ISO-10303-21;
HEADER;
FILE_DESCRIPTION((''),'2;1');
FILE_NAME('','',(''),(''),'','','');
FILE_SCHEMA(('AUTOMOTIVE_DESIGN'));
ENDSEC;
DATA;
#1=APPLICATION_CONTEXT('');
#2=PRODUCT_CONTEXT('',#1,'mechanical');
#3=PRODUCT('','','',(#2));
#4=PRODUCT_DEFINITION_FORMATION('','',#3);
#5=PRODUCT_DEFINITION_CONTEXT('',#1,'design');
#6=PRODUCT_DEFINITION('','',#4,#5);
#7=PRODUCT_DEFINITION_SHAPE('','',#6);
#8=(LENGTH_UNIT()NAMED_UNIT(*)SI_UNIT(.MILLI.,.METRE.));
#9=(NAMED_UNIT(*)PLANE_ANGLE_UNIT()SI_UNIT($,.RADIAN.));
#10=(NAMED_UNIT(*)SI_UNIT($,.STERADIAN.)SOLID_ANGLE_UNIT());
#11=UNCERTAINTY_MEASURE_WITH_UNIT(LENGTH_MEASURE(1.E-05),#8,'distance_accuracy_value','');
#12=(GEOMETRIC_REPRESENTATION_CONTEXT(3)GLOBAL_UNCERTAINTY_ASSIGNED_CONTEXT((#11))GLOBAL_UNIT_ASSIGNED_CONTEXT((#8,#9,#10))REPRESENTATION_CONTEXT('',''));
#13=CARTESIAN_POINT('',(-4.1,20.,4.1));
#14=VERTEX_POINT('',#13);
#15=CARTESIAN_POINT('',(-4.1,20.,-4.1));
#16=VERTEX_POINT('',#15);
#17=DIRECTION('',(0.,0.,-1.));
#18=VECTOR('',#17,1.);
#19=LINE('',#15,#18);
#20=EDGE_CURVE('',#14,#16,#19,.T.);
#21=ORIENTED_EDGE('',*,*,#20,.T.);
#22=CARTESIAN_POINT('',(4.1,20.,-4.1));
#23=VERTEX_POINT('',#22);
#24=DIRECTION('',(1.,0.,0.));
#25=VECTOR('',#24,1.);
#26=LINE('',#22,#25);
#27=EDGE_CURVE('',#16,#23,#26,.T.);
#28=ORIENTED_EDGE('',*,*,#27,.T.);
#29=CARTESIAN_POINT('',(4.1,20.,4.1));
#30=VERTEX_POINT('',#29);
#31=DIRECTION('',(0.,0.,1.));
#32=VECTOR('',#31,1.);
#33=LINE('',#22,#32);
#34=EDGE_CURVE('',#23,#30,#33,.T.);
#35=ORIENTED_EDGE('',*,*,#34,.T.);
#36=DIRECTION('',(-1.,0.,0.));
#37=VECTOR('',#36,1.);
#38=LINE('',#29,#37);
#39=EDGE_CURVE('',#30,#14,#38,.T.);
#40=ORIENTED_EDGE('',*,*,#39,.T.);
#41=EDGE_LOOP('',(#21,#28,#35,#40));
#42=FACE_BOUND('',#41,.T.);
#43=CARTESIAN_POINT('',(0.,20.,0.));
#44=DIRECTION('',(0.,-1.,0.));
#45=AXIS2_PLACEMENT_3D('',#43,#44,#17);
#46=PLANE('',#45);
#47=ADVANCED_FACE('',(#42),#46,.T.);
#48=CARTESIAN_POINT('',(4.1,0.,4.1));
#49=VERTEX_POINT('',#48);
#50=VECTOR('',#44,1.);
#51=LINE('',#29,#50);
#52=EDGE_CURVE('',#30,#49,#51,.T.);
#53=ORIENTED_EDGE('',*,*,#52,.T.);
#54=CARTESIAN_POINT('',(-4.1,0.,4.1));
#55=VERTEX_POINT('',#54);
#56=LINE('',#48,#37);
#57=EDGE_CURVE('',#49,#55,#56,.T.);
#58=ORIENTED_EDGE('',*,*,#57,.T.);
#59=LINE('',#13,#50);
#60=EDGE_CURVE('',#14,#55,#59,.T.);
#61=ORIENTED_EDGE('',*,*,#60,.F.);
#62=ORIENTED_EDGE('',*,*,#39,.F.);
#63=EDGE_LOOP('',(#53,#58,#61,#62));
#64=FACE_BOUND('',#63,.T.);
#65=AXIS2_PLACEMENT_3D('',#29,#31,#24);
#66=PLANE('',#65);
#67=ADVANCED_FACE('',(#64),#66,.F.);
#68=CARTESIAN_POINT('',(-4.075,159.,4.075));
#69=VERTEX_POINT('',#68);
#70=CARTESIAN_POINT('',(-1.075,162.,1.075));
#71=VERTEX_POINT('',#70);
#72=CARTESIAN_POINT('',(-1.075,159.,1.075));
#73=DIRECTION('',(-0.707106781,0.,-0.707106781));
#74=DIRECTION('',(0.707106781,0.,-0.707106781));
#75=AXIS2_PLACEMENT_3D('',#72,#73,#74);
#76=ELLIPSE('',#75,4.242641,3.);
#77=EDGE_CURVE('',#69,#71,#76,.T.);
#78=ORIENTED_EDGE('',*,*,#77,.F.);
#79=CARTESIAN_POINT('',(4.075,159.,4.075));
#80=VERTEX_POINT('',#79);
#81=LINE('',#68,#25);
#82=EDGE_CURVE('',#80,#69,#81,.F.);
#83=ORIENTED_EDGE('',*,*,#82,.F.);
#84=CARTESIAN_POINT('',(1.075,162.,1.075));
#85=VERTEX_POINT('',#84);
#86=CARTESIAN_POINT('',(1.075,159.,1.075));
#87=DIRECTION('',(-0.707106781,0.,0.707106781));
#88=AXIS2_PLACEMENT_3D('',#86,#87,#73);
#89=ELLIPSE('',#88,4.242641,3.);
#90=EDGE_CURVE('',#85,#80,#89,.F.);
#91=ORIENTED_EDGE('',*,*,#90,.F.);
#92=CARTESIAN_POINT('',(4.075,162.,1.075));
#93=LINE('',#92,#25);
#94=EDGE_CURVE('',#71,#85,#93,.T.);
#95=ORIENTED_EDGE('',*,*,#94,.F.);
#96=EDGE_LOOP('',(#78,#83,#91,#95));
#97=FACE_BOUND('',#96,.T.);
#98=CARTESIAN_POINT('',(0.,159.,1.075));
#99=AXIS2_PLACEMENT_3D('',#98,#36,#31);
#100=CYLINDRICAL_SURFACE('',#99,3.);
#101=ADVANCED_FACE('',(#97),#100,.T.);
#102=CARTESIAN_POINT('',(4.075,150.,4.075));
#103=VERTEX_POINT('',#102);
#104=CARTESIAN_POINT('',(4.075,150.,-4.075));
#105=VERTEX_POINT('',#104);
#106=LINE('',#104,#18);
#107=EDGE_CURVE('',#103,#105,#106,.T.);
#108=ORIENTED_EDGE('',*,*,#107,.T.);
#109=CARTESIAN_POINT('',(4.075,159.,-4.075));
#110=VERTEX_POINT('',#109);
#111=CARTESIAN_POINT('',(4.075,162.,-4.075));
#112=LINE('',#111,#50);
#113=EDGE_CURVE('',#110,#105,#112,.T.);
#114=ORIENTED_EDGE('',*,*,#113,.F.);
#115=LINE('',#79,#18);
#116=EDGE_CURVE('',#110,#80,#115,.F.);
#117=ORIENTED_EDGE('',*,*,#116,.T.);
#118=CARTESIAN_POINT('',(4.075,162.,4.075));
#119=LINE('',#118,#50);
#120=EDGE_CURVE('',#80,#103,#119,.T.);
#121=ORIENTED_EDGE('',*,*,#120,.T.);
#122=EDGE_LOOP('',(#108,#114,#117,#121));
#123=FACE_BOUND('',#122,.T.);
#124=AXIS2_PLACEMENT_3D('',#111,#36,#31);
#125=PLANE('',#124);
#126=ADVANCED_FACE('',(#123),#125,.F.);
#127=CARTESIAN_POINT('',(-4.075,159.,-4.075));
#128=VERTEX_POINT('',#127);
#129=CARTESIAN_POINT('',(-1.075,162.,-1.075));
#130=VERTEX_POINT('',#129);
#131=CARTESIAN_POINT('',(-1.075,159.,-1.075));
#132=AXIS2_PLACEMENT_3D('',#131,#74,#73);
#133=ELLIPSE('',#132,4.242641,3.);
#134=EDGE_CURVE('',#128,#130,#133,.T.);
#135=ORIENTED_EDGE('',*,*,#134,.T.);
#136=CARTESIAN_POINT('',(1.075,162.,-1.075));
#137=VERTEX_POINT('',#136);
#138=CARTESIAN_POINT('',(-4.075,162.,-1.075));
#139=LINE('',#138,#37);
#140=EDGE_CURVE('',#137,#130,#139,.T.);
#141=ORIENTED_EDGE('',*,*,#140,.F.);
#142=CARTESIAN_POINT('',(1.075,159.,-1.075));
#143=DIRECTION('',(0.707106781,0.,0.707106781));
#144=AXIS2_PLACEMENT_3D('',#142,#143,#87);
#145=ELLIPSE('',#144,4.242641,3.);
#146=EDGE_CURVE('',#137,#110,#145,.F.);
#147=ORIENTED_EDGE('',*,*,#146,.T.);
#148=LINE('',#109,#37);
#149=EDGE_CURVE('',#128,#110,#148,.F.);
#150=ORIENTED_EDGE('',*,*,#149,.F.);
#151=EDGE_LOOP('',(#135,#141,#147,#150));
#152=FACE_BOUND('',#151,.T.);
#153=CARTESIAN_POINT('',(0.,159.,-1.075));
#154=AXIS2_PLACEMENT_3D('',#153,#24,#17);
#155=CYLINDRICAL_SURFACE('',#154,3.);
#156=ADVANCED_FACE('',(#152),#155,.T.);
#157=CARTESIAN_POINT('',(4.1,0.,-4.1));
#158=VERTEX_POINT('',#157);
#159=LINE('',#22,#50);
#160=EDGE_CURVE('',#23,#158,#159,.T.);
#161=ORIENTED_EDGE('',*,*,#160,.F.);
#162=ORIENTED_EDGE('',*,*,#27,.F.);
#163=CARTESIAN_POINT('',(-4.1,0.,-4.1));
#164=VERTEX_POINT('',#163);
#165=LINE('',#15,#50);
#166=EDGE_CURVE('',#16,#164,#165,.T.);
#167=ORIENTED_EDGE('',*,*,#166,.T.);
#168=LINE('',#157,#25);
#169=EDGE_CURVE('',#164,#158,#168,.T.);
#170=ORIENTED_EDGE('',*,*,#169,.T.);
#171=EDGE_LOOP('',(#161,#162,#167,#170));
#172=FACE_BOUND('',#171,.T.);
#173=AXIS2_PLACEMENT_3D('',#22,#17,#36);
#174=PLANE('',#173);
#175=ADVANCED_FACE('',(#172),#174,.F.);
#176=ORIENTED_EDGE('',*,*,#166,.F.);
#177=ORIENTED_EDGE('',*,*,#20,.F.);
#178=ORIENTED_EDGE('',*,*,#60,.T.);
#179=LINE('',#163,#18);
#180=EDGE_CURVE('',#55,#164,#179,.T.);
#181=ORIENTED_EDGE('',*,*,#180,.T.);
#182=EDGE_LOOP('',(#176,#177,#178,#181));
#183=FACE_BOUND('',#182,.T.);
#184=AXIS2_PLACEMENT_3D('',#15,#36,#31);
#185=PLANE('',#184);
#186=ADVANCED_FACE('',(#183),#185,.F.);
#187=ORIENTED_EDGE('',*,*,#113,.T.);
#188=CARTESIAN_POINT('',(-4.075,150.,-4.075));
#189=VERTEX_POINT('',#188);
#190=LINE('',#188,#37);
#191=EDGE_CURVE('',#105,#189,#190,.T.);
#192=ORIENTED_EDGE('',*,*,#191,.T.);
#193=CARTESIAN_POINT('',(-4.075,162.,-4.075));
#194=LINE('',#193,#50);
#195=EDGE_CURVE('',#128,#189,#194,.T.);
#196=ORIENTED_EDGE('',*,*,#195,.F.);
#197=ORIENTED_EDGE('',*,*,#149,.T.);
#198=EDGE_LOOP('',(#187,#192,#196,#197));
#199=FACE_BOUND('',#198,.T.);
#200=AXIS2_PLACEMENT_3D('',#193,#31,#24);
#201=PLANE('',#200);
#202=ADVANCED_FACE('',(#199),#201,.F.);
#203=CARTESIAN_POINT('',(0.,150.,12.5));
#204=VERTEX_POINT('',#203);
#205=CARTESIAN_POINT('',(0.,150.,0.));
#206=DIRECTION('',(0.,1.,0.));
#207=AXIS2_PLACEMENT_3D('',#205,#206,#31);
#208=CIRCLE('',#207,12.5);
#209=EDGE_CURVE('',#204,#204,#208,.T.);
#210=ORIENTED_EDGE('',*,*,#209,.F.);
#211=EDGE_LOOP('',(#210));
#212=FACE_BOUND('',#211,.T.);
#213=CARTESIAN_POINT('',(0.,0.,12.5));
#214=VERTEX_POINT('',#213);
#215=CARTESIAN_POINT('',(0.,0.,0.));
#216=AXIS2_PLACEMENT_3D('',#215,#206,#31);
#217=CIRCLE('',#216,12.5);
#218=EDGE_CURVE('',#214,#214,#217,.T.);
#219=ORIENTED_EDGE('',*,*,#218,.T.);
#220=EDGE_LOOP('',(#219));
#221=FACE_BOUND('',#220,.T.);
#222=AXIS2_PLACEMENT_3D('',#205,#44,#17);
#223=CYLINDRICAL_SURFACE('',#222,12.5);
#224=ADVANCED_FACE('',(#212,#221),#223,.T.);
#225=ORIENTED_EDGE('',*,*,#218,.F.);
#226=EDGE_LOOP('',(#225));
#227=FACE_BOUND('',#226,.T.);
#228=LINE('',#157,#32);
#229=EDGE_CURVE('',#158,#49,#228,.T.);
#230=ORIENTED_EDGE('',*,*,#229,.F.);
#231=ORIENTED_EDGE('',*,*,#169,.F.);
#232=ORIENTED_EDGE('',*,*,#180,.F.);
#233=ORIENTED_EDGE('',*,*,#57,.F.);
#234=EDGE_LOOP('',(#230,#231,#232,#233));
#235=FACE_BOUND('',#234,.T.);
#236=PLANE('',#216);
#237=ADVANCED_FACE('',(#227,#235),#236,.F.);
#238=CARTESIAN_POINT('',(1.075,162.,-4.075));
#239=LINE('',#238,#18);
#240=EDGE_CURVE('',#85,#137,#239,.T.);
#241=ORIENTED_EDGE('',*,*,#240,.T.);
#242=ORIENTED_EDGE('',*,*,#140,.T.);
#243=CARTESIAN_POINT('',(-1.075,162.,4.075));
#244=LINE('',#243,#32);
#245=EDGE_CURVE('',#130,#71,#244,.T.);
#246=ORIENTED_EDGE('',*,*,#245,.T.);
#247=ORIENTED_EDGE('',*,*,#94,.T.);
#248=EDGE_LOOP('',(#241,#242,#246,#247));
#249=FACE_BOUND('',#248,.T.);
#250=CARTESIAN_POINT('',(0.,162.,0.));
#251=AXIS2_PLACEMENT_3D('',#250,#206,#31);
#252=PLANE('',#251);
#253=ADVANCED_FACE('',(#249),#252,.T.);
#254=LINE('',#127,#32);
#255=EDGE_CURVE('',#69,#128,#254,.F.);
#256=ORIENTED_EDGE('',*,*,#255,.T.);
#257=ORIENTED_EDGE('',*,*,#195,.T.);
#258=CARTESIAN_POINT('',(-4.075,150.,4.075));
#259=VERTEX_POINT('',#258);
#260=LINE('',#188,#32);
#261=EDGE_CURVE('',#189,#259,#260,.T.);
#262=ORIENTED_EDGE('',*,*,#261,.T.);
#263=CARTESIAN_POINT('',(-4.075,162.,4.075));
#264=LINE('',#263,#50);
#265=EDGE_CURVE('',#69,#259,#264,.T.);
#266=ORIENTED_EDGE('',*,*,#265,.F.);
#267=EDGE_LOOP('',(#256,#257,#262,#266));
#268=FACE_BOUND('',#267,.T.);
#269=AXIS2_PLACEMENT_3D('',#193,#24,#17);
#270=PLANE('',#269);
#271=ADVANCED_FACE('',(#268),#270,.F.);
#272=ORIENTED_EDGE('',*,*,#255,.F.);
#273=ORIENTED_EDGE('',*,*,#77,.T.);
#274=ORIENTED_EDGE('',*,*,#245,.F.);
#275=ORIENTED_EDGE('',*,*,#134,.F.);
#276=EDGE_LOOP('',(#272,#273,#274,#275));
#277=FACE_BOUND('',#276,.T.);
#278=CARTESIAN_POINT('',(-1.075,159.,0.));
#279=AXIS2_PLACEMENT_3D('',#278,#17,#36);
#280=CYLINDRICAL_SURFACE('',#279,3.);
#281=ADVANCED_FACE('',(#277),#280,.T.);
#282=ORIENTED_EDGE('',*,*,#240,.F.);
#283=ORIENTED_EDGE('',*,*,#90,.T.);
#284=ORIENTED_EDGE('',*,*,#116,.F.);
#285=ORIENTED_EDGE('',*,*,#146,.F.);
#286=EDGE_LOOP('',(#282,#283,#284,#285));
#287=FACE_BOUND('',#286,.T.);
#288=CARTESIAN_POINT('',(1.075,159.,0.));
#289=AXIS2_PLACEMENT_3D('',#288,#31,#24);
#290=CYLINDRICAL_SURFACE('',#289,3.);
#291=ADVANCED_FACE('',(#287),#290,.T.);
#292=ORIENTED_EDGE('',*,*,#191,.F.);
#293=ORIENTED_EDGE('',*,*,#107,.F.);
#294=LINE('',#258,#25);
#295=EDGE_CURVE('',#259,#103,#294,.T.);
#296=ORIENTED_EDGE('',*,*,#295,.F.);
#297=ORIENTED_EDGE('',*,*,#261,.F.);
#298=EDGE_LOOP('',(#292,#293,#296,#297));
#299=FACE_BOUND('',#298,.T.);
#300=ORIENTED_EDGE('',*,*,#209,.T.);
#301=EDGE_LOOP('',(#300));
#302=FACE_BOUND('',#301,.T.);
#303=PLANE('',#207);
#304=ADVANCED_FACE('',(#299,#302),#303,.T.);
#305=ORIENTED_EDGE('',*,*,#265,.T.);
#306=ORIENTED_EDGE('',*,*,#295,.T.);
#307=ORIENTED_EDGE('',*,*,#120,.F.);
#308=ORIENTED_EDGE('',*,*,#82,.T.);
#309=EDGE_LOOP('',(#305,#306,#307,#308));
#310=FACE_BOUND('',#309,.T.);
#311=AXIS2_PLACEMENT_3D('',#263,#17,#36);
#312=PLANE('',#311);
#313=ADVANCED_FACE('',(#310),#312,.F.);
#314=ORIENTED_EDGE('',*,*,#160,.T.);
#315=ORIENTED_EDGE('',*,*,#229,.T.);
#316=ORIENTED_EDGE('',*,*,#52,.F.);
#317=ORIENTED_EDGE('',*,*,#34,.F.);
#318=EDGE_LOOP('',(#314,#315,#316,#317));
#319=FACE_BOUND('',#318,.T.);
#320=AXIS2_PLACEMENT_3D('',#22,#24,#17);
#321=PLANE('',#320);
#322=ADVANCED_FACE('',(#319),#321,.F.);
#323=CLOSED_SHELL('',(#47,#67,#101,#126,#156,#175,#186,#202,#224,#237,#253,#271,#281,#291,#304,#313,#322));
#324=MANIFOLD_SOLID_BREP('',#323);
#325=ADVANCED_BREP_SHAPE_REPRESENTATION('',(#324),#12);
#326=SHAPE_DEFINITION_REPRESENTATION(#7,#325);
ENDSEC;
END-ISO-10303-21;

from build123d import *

# Parameters (mm, degrees)
SKETCH1_R           = 12.5
BOSS_EXTRUDE1_DEPTH = 150
SKETCH2_W           = 8.15
SKETCH2_H           = 8.15
BOSS_EXTRUDE2_DEPTH = 12
FILLET1_R           = 3
SKETCH3_W           = 8.2
SKETCH3_H           = 8.2
CUT_EXTRUDE1_DEPTH  = 20


with BuildPart() as part:
    # Sketch1 → Boss-Extrude1 (new body)
    with BuildSketch(Plane(origin=(0, 0, 0), x_dir=(1, 0, 0), z_dir=(0, 1, 0))):
        Circle(SKETCH1_R)
    extrude(amount=BOSS_EXTRUDE1_DEPTH)

    # Sketch2 → Boss-Extrude2 (add)
    with BuildSketch(Plane(origin=(0, 150, 0), x_dir=(1, 0, 0), z_dir=(0, 1, 0))):
        Rectangle(SKETCH2_W, SKETCH2_H)
    extrude(amount=BOSS_EXTRUDE2_DEPTH)

    # Fillet1
    fillet1_edges = [part.edges().sort_by_distance(p)[0] for p in [
        (4.075, 162, 0),
        (0, 162, -4.075),
        (-4.075, 162, 0),
        (0, 162, 4.075),
    ]]
    fillet(fillet1_edges, radius=FILLET1_R)

    # Sketch3 → Cut-Extrude1 (cut)
    with BuildSketch(Plane.XZ):
        Rectangle(SKETCH3_W, SKETCH3_H)
    extrude(amount=-CUT_EXTRUDE1_DEPTH, mode=Mode.SUBTRACT)


solid = part.part
